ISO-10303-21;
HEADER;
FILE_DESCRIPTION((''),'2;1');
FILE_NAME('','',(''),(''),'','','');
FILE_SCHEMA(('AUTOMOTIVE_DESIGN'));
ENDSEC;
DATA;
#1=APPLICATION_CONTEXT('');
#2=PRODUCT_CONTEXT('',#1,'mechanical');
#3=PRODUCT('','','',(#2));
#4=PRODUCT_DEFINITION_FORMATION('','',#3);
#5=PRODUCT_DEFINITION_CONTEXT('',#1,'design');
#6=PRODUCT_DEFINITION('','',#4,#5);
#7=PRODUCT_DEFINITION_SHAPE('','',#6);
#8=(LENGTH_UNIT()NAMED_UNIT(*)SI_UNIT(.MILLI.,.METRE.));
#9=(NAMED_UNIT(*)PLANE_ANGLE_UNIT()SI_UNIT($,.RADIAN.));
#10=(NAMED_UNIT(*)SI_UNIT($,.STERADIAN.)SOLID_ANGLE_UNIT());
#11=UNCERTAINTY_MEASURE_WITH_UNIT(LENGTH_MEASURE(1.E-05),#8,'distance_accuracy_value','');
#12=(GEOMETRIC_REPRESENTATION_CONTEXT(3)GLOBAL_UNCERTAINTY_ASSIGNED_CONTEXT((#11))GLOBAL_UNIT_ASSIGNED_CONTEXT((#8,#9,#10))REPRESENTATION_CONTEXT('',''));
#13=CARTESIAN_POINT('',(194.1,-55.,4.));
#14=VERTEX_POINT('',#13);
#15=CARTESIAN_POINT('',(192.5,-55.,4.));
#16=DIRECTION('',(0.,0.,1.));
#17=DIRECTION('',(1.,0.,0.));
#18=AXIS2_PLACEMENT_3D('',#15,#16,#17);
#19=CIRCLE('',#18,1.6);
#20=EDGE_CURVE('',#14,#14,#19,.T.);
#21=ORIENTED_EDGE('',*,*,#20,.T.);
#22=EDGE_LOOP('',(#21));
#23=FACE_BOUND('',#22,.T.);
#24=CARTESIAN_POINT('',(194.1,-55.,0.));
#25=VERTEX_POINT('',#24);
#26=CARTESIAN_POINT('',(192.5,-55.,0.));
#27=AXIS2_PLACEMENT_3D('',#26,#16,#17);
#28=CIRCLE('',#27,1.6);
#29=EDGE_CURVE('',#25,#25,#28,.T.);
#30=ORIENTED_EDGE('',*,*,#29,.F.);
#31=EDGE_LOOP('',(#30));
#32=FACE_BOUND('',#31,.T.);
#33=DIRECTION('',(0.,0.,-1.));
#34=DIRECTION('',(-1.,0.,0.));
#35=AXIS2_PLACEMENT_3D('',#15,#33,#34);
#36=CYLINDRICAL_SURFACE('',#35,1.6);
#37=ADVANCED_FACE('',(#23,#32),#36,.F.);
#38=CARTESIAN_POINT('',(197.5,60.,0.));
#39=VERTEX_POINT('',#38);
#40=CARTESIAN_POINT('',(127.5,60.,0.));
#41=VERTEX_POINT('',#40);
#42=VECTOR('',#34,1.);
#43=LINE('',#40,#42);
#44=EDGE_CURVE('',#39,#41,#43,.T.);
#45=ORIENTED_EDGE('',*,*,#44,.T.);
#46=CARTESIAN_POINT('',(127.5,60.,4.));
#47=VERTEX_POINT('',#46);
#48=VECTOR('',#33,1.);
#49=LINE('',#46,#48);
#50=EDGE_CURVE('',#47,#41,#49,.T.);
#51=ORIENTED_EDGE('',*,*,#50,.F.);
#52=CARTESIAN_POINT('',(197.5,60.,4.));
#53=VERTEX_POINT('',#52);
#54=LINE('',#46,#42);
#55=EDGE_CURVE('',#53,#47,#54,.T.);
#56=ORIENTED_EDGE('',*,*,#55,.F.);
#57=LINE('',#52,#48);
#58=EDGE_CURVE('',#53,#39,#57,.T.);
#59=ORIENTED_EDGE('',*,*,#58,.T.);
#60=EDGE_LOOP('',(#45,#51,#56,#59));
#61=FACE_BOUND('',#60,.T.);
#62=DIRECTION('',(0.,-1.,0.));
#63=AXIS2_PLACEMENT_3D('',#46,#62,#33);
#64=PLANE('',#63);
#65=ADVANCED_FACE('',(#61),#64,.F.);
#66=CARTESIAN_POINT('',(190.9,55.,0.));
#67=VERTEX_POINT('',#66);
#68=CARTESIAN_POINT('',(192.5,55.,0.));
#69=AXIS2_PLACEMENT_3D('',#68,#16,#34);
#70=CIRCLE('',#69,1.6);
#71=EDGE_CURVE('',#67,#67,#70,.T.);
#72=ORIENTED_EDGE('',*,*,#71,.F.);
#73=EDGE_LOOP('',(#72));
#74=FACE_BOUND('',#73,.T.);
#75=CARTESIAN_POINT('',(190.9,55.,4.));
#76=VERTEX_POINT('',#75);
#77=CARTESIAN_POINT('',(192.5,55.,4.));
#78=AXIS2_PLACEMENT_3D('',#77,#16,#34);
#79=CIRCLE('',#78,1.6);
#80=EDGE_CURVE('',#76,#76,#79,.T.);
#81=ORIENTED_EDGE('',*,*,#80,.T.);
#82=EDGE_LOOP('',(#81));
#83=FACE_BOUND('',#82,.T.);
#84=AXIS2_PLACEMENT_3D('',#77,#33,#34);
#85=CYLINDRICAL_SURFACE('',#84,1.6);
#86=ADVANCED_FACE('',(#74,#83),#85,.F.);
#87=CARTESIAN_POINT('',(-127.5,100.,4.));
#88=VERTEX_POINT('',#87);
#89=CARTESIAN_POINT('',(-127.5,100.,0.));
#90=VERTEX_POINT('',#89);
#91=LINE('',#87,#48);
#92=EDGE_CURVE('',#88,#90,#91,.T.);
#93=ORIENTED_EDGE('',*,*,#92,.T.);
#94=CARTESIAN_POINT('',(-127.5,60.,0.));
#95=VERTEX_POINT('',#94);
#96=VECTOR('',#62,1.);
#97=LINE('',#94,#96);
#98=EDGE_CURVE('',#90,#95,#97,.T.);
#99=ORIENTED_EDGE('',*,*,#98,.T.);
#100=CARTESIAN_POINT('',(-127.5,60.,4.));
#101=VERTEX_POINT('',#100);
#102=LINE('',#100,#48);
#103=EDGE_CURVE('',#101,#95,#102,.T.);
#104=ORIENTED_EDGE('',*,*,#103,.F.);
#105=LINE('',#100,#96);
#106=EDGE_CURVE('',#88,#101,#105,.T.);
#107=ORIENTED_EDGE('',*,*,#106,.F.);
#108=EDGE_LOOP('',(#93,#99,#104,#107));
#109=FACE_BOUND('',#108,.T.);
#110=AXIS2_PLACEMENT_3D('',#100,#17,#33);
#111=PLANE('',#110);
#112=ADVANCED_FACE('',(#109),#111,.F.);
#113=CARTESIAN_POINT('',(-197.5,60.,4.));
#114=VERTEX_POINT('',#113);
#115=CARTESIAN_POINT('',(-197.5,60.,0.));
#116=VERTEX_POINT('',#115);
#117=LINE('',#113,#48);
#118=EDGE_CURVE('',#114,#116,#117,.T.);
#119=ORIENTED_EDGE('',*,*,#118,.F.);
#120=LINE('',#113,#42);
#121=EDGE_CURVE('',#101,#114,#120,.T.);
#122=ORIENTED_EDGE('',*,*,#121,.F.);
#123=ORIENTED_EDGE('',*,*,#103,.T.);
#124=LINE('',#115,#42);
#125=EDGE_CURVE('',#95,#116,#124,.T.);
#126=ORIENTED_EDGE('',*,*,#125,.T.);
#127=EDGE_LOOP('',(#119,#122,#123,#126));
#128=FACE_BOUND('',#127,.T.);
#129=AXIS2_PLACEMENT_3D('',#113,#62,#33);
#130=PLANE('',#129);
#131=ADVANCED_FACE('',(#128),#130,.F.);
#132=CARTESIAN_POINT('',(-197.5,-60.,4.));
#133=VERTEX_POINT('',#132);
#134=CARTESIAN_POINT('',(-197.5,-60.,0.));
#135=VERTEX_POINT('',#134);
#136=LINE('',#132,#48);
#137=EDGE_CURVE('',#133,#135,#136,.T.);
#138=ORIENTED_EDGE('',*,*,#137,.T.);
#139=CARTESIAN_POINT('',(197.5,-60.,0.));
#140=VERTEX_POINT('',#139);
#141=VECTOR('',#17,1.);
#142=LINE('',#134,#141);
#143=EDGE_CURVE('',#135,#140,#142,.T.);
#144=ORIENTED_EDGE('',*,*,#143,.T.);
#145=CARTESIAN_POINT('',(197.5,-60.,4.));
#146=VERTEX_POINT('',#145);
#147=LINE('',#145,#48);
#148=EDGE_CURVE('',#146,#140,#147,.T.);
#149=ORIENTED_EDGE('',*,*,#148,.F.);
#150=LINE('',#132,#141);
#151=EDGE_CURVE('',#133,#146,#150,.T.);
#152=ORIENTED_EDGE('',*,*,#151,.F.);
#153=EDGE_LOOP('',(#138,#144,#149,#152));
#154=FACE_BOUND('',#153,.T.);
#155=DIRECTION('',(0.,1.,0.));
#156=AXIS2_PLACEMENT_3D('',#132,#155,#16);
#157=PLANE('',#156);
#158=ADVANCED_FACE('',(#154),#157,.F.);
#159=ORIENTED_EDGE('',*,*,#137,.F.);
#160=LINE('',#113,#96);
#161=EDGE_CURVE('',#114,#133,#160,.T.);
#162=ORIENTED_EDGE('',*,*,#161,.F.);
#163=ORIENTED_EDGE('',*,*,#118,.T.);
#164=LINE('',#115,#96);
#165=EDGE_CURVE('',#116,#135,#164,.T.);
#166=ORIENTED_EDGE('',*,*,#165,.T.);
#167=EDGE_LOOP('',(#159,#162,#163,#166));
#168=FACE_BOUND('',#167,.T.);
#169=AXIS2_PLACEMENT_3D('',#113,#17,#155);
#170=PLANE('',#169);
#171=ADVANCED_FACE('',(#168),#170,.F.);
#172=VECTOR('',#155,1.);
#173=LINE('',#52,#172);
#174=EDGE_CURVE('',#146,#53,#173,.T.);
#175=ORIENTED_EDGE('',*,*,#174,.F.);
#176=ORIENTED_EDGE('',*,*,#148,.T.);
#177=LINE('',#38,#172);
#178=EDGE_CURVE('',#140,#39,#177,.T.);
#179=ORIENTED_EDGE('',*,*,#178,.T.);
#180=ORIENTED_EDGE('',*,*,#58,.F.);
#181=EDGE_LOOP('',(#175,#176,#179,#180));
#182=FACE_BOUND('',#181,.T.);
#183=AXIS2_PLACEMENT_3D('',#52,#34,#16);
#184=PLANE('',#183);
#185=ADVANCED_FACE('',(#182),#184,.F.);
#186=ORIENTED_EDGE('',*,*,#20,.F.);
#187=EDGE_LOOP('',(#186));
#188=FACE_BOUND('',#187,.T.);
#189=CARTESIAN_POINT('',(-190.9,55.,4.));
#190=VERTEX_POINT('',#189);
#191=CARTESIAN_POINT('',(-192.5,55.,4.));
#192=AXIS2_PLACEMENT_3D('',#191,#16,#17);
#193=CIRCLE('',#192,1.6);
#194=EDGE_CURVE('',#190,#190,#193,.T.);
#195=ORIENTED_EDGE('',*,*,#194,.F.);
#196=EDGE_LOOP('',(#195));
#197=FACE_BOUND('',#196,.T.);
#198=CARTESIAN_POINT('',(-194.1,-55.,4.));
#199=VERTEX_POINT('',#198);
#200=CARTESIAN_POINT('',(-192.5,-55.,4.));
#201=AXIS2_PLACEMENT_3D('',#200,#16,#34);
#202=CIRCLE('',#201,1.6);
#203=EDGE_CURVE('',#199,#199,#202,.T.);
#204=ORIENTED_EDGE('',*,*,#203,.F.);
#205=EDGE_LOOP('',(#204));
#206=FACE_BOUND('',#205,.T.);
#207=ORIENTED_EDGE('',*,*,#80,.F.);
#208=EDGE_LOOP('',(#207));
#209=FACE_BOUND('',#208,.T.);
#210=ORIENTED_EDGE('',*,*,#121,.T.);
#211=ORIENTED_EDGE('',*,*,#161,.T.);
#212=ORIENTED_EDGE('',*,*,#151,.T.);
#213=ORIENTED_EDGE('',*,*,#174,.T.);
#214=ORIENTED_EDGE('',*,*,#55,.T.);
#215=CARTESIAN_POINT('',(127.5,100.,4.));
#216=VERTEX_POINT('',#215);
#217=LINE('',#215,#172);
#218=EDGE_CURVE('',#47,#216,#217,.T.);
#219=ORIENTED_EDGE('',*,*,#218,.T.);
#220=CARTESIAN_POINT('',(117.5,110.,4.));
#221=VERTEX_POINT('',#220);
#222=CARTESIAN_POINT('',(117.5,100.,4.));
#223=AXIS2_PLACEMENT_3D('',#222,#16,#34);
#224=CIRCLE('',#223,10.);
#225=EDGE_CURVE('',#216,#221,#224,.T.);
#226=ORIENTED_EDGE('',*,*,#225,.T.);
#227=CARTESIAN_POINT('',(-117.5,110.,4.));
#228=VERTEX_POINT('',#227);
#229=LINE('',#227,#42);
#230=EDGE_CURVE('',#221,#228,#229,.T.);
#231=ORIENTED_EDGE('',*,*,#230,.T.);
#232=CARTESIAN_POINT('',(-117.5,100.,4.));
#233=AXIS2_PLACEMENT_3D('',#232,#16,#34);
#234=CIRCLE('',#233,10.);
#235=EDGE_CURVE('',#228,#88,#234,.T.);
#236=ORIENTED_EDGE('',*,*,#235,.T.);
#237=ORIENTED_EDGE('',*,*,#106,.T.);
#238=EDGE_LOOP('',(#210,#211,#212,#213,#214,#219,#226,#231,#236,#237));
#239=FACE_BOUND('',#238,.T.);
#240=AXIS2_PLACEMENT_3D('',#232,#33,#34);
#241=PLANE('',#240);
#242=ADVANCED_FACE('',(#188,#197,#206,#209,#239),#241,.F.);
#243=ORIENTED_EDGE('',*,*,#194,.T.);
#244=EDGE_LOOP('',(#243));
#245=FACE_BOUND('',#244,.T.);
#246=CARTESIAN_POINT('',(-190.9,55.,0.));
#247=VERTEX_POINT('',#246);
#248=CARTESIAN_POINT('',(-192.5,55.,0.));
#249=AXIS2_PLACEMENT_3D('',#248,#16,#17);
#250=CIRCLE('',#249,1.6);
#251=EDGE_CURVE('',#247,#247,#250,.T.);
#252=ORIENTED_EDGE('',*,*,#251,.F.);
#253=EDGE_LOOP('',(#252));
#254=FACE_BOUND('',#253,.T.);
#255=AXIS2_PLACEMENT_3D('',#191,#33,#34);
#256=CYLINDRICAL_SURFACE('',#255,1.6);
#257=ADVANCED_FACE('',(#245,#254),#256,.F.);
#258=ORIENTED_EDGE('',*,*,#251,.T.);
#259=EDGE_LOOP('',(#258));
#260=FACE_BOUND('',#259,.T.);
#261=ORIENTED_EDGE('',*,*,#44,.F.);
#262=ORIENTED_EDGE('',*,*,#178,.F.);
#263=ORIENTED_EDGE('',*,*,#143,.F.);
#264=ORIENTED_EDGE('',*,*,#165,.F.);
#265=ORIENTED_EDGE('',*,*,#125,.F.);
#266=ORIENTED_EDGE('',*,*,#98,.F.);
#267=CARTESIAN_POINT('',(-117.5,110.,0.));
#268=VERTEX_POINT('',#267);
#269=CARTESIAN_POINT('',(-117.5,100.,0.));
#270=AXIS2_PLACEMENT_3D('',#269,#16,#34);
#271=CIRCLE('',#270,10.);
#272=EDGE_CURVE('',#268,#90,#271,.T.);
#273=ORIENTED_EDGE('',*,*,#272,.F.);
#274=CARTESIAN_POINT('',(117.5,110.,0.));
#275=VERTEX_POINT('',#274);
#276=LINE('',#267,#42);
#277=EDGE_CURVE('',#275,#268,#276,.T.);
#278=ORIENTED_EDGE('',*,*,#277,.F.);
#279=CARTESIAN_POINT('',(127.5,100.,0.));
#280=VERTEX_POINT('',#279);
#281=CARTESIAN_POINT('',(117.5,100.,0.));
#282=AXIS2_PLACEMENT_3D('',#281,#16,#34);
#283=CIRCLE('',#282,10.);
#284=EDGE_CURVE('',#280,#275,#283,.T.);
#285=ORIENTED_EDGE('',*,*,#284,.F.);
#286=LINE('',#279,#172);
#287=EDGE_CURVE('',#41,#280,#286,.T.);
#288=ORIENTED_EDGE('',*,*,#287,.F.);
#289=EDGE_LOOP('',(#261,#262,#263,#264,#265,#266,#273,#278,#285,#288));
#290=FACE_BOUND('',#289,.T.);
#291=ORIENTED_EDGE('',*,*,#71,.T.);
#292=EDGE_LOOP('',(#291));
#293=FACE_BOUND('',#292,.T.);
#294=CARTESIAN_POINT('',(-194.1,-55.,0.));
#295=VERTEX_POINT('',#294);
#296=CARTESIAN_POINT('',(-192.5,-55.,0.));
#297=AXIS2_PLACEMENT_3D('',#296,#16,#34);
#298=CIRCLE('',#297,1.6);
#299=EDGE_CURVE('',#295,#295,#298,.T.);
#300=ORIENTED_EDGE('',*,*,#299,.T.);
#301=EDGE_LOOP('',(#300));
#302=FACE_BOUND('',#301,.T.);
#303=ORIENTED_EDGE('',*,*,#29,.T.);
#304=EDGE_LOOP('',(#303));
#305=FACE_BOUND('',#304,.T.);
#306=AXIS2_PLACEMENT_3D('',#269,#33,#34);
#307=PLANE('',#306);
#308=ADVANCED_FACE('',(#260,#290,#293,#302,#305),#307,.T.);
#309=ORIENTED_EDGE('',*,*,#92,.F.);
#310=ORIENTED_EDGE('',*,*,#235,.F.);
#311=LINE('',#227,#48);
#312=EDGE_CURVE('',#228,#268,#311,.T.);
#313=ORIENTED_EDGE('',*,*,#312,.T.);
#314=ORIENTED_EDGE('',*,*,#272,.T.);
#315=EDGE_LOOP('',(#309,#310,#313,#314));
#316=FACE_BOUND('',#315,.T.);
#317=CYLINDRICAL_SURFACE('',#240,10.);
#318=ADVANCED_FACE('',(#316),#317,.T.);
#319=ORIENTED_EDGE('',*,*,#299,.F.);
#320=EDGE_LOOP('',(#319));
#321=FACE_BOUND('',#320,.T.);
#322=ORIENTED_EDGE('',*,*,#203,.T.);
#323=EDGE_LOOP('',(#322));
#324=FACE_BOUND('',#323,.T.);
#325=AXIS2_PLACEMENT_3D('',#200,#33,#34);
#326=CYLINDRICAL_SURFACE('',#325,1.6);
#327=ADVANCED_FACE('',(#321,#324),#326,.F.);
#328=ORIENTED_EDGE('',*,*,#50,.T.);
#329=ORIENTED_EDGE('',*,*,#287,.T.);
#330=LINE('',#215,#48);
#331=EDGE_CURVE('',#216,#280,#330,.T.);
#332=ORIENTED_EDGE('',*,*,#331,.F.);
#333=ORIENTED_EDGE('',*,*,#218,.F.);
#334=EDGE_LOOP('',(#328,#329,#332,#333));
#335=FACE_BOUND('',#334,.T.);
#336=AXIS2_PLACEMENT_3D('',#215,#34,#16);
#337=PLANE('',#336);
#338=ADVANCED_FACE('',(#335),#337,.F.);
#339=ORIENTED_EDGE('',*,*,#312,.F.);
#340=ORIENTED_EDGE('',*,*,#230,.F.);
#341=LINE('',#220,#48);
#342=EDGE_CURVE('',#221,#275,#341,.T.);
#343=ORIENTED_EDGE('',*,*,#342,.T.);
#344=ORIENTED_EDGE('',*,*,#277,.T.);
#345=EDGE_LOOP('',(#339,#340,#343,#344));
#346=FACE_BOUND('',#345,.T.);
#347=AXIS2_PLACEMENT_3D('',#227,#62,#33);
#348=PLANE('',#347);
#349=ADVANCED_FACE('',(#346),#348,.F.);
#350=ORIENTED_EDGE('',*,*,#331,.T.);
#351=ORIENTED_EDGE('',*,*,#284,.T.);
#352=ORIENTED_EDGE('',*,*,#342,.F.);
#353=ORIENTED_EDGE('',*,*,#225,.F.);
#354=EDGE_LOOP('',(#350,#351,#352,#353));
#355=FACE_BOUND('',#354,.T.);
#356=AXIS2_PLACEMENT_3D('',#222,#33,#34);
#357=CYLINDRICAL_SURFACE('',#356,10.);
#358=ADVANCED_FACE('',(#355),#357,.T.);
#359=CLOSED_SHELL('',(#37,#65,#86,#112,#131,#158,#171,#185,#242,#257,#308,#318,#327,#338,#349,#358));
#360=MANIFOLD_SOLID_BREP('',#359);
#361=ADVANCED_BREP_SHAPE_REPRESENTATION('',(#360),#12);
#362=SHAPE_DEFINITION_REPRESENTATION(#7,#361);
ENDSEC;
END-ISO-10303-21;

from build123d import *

# Parameters (mm, degrees)
SKETCH_1_R      = 1.6
EXTRUDE_1_DEPTH = 4


with BuildPart() as part:
    # 草图1 → 凸台-拉伸1 (new body)
    with BuildSketch(Plane.XY):
        with BuildLine():
            Line((-197.5, 60), (-127.5, 60))
            Line((-127.5, 60), (-127.5, 100))
            ThreePointArc((-127.5, 100), (-124.571067812, 107.071067812), (-117.5, 110))
            Line((-117.5, 110), (117.5, 110))
            ThreePointArc((117.5, 110), (124.571067812, 107.071067812), (127.5, 100))
            Line((127.5, 100), (127.5, 60))
            Line((127.5, 60), (197.5, 60))
            Line((197.5, 60), (197.5, -60))
            Line((197.5, -60), (-197.5, -60))
            Line((-197.5, -60), (-197.5, 60))
        make_face()
        with Locations((-192.5, 55)):
            Circle(SKETCH_1_R, mode=Mode.SUBTRACT)
        with Locations(Location((192.5, 55, 0), (0, 0, 180))):
            Circle(SKETCH_1_R, mode=Mode.SUBTRACT)
        with Locations((192.5, -55)):
            Circle(SKETCH_1_R, mode=Mode.SUBTRACT)
        with Locations(Location((-192.5, -55, 0), (0, 0, 180))):
            Circle(SKETCH_1_R, mode=Mode.SUBTRACT)
    extrude(amount=EXTRUDE_1_DEPTH)


solid = part.part
